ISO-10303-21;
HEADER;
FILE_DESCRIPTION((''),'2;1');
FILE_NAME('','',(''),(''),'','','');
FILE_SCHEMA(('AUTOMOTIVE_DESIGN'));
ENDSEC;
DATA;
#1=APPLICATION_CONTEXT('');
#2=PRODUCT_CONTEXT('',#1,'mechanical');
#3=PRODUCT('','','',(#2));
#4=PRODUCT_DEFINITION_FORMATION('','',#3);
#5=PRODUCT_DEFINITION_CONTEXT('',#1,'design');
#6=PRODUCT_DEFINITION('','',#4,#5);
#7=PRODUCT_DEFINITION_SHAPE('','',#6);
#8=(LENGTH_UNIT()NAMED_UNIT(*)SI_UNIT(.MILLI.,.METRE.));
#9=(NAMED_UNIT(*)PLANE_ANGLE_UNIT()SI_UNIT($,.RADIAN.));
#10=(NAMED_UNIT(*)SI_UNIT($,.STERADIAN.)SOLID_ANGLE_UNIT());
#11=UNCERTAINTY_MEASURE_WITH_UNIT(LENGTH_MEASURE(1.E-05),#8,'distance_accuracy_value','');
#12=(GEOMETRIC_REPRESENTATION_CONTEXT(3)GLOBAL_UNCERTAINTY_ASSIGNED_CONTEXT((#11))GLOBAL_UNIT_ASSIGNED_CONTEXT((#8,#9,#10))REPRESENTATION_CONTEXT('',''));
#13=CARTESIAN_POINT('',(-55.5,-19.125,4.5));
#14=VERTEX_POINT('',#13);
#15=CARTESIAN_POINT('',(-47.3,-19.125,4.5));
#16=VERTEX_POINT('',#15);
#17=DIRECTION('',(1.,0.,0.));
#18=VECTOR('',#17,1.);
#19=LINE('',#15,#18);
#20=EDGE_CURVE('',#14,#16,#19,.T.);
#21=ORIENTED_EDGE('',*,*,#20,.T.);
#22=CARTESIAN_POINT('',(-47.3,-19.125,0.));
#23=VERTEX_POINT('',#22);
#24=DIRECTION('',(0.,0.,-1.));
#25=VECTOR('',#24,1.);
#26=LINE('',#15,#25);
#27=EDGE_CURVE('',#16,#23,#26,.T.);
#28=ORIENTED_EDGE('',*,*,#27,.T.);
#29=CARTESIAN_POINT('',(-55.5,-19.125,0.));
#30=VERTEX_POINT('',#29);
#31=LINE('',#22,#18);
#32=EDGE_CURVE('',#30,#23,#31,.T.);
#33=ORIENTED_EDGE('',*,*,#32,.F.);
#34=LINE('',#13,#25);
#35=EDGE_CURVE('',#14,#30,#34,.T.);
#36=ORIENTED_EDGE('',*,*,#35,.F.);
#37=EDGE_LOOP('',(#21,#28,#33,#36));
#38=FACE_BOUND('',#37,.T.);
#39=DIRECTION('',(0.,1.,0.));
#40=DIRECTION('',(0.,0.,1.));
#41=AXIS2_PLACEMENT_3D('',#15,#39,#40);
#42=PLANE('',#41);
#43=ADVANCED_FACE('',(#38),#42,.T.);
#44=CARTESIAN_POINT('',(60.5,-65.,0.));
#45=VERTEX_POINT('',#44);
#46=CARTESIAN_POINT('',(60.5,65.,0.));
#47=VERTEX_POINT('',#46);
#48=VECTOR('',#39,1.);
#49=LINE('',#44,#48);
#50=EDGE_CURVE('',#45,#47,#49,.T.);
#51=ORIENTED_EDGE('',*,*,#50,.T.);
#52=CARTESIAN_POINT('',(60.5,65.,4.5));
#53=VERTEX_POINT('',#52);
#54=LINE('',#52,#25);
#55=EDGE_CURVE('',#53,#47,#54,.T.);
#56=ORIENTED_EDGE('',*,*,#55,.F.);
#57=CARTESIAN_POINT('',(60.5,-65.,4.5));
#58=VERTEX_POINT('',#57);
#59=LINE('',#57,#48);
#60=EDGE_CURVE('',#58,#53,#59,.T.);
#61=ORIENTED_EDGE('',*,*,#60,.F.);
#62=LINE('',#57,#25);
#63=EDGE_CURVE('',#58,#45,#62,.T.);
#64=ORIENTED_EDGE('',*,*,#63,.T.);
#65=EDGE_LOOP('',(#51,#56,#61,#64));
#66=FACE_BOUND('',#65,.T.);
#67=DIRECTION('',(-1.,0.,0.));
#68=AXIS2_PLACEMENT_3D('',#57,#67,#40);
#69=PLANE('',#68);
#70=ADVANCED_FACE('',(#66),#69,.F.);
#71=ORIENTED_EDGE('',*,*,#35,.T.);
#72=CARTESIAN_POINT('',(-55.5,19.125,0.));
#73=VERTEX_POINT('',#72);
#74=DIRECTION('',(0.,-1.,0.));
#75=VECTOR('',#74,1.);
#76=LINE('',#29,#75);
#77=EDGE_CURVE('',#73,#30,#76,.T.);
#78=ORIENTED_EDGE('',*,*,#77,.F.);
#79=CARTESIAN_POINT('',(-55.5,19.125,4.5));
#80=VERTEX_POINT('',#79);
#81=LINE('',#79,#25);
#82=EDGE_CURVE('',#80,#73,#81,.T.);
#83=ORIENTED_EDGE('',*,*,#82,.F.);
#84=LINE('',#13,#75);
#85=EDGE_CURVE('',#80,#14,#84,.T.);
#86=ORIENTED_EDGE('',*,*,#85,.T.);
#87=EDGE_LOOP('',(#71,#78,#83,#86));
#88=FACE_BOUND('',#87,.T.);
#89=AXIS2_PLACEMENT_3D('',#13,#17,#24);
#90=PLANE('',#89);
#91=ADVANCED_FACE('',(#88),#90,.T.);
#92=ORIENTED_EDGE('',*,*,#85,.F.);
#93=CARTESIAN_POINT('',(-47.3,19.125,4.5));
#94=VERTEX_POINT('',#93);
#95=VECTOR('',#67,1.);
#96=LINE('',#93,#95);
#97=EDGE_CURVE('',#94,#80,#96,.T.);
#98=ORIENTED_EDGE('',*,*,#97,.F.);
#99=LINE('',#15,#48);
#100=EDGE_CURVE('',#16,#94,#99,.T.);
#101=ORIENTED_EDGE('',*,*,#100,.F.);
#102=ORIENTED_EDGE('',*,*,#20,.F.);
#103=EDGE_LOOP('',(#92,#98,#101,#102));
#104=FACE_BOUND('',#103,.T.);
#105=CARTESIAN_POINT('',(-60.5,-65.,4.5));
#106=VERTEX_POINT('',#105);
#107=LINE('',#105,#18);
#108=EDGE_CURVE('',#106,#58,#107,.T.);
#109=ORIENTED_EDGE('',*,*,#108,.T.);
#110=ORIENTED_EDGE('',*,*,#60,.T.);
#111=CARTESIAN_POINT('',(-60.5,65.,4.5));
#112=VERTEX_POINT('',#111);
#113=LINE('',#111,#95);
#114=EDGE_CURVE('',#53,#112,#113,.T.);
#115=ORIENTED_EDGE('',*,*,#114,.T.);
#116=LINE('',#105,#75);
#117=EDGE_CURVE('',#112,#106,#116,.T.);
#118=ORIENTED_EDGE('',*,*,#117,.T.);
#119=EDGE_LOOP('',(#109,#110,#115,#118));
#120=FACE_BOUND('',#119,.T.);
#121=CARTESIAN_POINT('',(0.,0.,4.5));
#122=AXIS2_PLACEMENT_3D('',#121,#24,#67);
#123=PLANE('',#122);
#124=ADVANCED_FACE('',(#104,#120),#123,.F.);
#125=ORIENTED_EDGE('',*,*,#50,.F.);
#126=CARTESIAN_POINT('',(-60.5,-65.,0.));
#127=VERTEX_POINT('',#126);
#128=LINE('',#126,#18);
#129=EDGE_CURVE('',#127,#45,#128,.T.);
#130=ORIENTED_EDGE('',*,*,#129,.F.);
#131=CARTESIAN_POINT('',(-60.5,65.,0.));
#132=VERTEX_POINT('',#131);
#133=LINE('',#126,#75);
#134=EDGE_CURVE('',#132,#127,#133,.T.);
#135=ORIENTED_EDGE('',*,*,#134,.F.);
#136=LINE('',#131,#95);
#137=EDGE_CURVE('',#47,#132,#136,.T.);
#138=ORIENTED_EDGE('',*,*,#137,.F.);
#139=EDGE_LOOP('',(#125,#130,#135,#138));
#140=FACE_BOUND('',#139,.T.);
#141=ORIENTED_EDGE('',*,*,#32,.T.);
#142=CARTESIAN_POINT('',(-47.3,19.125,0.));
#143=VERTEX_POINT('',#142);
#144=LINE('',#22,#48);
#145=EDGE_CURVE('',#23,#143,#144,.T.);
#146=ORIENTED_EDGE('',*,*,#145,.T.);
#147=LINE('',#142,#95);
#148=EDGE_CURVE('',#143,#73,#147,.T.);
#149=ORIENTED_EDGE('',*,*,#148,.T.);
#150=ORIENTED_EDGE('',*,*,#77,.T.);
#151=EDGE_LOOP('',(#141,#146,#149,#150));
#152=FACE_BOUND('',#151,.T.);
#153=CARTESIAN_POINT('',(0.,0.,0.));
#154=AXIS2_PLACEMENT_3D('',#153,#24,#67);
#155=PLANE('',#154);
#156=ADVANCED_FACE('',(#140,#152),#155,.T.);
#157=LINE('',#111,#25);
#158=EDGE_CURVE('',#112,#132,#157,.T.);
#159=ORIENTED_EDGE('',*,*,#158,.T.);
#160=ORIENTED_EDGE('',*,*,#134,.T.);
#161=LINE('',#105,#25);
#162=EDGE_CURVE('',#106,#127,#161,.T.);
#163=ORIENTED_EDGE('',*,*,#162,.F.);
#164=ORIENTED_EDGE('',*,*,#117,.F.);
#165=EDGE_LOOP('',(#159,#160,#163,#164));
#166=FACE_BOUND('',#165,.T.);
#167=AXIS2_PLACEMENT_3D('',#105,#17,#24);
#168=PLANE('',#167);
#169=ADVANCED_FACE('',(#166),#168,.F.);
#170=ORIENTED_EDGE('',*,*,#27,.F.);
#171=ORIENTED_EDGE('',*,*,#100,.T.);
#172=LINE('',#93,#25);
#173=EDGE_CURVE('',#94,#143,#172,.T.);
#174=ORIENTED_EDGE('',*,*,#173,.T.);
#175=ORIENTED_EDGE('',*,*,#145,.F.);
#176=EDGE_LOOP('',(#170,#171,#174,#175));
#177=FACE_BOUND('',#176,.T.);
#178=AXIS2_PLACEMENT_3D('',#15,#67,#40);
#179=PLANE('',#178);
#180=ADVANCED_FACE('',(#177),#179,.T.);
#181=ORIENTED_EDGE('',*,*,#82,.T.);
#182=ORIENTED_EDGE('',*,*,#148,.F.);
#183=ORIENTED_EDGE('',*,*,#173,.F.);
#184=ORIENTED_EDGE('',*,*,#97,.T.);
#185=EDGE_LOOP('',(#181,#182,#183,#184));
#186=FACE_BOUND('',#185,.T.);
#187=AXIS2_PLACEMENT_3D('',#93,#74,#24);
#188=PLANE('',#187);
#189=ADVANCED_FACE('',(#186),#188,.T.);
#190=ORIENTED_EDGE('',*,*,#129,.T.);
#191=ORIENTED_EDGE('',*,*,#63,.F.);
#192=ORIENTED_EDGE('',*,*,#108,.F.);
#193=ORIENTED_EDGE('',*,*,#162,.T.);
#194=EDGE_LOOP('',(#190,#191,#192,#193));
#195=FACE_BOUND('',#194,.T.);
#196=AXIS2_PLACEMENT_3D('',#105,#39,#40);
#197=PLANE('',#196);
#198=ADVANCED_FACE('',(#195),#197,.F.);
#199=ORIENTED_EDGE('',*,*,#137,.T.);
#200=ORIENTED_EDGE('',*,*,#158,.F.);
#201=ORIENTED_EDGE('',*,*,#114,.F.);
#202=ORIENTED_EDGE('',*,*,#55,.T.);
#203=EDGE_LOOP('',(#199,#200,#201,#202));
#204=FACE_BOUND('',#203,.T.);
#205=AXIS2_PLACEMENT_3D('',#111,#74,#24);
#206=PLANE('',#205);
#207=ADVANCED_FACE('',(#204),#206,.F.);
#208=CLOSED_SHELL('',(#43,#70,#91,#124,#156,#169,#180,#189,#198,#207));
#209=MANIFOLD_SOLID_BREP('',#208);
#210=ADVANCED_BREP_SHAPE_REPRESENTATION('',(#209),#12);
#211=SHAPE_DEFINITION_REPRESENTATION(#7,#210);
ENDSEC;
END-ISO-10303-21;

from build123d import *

# Parameters (mm, degrees)
SKETCH1_W           = 121
SKETCH1_H           = 130
SKETCH1_W_2         = 8.2
SKETCH1_H_2         = 38.25
BOSS_EXTRUDE1_DEPTH = 4.5


with BuildPart() as part:
    # Sketch1 → Boss-Extrude1 (new body)
    with BuildSketch(Plane.XY):
        Rectangle(SKETCH1_W, SKETCH1_H)
        with Locations((-51.4, 0)):
            Rectangle(SKETCH1_W_2, SKETCH1_H_2, mode=Mode.SUBTRACT)
    extrude(amount=BOSS_EXTRUDE1_DEPTH)


solid = part.part
